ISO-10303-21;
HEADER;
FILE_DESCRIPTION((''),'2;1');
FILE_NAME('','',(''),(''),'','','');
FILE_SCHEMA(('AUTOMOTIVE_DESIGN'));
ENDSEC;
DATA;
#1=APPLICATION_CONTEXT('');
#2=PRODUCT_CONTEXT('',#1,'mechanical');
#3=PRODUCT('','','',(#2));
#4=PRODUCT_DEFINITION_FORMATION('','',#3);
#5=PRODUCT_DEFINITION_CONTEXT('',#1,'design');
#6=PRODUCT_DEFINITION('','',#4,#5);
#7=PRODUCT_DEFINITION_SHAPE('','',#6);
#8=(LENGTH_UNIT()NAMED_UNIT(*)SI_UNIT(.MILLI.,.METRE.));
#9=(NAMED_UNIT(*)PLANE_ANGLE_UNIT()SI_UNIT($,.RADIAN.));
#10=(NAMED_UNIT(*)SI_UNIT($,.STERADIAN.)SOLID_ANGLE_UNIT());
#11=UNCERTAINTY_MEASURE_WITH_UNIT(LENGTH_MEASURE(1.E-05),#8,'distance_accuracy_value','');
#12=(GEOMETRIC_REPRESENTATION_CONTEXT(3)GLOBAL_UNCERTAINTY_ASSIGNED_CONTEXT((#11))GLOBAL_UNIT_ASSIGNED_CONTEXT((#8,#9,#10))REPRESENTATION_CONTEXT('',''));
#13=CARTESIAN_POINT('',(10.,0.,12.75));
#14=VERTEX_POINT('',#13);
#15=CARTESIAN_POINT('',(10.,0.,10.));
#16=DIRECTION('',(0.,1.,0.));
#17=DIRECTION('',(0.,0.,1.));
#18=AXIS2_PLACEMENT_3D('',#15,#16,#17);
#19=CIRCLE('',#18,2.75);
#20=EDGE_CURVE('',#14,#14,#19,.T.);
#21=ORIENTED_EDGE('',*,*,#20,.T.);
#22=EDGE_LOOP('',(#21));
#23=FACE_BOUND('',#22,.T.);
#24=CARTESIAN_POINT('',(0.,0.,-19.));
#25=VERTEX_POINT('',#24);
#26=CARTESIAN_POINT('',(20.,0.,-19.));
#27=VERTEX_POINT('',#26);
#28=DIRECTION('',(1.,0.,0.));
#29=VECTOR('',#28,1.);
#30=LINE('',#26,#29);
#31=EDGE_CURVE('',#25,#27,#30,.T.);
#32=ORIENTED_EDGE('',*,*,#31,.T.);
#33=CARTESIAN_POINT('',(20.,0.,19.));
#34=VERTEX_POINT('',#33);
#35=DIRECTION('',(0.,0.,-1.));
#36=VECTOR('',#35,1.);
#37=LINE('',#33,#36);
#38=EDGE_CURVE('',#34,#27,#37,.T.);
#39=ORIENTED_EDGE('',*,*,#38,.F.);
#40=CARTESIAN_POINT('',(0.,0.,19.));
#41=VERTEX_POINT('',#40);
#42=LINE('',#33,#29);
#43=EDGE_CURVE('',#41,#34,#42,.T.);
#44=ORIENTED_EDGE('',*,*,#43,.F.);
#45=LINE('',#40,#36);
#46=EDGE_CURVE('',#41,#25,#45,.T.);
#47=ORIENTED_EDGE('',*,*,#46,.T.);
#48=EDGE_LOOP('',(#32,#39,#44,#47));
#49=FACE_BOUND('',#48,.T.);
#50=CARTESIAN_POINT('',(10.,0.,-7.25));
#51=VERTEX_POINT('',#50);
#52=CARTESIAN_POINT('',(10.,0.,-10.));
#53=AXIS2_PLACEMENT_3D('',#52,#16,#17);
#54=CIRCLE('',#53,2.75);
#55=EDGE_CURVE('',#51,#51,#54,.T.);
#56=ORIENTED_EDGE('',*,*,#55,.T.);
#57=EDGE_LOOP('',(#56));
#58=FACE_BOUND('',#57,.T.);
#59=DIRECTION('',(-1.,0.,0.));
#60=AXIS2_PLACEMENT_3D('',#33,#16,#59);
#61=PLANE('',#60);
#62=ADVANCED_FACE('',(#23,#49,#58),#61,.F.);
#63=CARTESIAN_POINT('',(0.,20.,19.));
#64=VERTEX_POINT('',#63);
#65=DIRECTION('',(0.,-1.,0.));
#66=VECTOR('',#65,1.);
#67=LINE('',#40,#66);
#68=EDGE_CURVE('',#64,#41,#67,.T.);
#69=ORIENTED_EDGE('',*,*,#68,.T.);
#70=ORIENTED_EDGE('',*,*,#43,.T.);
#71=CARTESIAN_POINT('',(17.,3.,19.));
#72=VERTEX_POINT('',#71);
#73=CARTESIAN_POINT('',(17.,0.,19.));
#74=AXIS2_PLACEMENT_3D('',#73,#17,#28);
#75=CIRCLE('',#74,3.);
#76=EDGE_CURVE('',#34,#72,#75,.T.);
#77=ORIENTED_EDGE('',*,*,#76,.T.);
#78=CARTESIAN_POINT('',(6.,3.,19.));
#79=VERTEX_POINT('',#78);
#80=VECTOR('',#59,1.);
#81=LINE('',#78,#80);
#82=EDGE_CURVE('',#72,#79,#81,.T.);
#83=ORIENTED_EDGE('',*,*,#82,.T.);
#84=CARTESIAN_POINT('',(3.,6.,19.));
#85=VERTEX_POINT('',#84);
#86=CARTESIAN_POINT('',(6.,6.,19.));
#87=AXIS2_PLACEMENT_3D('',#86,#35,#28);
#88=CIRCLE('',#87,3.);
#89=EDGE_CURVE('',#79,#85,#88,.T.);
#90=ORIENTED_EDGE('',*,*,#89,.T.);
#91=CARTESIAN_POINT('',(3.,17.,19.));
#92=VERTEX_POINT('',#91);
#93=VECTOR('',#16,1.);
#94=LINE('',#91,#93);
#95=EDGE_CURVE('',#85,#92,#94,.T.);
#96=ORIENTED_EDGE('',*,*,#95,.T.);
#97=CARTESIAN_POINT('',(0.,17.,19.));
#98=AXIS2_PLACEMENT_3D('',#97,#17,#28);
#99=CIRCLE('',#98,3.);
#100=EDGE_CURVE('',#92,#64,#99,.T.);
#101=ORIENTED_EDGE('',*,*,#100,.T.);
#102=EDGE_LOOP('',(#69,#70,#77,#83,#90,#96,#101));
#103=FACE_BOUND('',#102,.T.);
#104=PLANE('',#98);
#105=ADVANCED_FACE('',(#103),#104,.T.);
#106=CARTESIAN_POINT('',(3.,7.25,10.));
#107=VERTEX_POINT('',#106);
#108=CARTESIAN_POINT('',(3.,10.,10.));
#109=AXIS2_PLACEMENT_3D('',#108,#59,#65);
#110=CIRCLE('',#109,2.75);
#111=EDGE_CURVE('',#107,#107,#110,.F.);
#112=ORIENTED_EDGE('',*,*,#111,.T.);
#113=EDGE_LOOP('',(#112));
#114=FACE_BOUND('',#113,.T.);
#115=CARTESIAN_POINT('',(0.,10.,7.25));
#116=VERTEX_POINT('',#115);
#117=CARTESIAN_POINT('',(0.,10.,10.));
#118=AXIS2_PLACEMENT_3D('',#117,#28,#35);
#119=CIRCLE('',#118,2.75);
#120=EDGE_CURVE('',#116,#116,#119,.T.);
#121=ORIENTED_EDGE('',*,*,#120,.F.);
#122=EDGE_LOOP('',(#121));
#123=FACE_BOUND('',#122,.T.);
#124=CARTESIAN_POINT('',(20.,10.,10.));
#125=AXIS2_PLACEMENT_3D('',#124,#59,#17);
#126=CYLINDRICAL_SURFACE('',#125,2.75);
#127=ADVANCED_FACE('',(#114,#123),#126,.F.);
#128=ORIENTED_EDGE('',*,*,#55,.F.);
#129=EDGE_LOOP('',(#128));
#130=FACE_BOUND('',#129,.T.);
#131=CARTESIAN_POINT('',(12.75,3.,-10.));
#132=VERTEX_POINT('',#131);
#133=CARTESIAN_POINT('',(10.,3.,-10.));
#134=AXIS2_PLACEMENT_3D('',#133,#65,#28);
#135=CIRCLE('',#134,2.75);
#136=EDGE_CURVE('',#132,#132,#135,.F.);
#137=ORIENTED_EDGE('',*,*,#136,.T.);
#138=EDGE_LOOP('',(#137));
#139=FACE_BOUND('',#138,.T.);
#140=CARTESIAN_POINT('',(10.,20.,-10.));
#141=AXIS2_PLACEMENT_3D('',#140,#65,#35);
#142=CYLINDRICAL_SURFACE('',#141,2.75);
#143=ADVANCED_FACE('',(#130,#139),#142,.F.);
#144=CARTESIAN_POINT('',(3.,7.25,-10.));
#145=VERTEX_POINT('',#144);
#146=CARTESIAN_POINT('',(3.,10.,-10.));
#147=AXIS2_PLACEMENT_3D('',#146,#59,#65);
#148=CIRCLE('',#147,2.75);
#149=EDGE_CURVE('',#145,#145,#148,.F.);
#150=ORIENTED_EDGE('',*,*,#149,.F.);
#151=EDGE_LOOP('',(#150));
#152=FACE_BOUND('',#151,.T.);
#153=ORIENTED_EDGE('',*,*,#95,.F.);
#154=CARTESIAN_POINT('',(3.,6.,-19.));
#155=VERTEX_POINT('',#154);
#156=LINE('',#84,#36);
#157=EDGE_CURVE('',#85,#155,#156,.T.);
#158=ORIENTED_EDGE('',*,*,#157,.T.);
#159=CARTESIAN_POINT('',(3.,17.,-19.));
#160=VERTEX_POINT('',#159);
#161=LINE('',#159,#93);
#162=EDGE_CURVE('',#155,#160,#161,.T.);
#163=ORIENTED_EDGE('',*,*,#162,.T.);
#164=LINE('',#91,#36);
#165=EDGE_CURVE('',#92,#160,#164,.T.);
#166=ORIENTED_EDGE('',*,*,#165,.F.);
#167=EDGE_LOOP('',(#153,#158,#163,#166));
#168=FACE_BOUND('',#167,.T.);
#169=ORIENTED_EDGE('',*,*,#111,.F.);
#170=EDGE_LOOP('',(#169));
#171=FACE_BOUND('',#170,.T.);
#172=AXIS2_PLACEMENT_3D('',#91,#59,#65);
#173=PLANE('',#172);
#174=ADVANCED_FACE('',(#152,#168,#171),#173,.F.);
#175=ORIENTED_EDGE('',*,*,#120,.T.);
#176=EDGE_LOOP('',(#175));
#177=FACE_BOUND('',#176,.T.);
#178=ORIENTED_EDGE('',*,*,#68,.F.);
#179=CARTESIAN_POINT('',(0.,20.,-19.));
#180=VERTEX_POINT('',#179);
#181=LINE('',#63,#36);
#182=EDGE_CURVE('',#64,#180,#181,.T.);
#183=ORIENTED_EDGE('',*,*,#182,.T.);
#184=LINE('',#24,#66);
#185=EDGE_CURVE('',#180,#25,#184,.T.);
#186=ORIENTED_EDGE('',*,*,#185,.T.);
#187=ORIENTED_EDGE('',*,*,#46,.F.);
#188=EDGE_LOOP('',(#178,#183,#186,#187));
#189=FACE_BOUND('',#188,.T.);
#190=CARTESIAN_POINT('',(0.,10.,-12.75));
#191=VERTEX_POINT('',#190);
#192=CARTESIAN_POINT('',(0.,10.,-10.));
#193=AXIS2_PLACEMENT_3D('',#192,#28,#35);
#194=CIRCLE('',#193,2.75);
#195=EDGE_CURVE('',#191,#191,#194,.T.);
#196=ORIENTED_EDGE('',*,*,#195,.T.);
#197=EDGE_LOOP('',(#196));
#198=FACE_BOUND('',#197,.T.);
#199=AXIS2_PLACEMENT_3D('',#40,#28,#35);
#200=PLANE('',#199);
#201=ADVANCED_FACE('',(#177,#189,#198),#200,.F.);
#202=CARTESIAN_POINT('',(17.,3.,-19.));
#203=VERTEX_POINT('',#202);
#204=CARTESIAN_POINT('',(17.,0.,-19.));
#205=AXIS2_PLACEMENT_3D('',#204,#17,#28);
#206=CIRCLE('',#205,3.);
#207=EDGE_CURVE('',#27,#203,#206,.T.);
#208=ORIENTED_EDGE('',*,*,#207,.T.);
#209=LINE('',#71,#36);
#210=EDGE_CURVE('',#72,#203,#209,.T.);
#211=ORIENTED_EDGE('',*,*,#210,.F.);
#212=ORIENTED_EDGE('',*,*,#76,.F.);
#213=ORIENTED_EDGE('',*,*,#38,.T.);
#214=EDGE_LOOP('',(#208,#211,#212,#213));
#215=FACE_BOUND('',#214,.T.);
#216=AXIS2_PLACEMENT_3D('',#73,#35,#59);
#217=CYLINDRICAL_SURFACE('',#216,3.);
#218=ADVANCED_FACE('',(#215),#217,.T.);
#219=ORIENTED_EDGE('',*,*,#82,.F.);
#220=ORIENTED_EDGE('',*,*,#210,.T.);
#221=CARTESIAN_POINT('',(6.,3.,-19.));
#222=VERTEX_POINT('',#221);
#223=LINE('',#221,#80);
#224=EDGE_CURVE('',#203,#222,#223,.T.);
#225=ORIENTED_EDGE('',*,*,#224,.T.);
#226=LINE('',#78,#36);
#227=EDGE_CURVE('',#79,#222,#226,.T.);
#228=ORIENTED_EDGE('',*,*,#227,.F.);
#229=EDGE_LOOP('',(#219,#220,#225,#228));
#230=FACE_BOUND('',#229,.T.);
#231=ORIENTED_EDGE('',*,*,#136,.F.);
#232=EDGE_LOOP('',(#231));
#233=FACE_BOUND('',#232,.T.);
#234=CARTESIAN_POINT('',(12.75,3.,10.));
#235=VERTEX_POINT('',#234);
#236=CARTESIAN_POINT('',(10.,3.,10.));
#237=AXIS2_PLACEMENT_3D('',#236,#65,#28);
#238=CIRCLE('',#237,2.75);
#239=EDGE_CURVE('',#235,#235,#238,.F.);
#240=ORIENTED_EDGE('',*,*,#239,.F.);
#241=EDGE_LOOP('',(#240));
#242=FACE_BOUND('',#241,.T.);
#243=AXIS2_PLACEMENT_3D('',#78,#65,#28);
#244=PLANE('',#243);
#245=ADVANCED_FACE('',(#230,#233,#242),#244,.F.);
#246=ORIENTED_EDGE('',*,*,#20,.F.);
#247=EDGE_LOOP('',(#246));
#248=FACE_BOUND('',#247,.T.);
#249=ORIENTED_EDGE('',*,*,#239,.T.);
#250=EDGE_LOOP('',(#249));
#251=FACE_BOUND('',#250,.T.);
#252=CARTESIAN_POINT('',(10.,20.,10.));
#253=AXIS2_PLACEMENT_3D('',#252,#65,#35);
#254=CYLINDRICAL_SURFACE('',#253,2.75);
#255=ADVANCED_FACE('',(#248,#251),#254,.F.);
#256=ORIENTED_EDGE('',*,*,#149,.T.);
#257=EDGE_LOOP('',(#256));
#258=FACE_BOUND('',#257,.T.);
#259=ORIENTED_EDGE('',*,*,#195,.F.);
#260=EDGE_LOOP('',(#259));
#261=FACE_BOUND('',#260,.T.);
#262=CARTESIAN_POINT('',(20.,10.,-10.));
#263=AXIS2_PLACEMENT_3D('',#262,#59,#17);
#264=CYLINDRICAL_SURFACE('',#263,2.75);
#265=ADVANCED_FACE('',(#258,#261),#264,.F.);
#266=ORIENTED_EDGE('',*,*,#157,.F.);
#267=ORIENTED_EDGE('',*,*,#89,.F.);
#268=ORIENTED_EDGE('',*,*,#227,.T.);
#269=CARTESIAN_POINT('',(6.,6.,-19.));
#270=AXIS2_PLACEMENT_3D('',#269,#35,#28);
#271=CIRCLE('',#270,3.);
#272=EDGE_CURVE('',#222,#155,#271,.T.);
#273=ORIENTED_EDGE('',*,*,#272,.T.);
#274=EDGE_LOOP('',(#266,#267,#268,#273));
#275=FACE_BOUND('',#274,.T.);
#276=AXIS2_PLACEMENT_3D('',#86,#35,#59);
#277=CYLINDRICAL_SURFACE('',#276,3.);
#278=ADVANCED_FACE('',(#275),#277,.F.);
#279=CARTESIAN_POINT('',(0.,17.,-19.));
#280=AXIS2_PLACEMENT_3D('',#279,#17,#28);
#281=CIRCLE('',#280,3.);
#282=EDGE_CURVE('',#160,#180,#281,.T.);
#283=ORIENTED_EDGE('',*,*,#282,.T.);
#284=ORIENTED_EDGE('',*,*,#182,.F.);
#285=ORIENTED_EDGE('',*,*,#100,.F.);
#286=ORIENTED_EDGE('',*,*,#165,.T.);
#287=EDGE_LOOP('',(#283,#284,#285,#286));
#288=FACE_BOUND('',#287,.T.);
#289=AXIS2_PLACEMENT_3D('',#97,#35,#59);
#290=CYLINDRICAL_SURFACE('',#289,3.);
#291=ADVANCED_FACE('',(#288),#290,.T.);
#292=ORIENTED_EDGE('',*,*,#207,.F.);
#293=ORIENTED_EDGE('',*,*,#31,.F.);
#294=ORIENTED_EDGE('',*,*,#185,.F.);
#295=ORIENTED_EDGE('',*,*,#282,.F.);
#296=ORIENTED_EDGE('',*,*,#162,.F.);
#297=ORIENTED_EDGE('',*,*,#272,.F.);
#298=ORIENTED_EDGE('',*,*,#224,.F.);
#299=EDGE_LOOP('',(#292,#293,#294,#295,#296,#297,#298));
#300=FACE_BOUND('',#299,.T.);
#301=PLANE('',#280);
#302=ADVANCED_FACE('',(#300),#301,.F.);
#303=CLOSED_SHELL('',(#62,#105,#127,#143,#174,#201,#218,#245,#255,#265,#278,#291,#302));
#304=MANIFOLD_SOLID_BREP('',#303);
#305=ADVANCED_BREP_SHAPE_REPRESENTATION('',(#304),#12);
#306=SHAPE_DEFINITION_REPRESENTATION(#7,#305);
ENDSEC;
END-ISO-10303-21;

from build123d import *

# Parameters (mm, degrees)
BOSS_EXTRUDE1_DEPTH = 19
SKETCH2_R           = 2.75
CUT_EXTRUDE1_DEPTH  = 21
SKETCH3_R           = 2.75
CUT_EXTRUDE2_DEPTH  = 21


with BuildPart() as part:
    # Sketch1 → Boss-Extrude1 (new body, symmetric)
    with BuildSketch(Plane.XY):
        with BuildLine():
            Line((0, 0), (0, 20))
            ThreePointArc((0, 20), (2.121320344, 19.121320344), (3, 17))
            Line((3, 17), (3, 6))
            ThreePointArc((3, 6), (3.878679656, 3.878679656), (6, 3))
            Line((6, 3), (17, 3))
            ThreePointArc((17, 3), (19.121320344, 2.121320344), (20, 0))
            Line((20, 0), (0, 0))
        make_face()
    extrude(amount=BOSS_EXTRUDE1_DEPTH, both=True)

    # Sketch2 → Cut-Extrude1 (cut, through all)
    with BuildSketch(Plane(origin=(0, 0, 0), x_dir=(1, 0, 0), z_dir=(0, 1, 0))):
        with Locations((10, -10)):
            Circle(SKETCH2_R)
        with Locations((10, 10)):
            Circle(SKETCH2_R)
    extrude(amount=CUT_EXTRUDE1_DEPTH, mode=Mode.SUBTRACT)

    # Sketch3 → Cut-Extrude2 (cut, through all)
    with BuildSketch(Plane(origin=(0, 0, 0), x_dir=(0, 0, -1), z_dir=(1, 0, 0))):
        with Locations((-10, 10)):
            Circle(SKETCH3_R)
        with Locations((10, 10)):
            Circle(SKETCH3_R)
    extrude(amount=CUT_EXTRUDE2_DEPTH, mode=Mode.SUBTRACT)


solid = part.part
